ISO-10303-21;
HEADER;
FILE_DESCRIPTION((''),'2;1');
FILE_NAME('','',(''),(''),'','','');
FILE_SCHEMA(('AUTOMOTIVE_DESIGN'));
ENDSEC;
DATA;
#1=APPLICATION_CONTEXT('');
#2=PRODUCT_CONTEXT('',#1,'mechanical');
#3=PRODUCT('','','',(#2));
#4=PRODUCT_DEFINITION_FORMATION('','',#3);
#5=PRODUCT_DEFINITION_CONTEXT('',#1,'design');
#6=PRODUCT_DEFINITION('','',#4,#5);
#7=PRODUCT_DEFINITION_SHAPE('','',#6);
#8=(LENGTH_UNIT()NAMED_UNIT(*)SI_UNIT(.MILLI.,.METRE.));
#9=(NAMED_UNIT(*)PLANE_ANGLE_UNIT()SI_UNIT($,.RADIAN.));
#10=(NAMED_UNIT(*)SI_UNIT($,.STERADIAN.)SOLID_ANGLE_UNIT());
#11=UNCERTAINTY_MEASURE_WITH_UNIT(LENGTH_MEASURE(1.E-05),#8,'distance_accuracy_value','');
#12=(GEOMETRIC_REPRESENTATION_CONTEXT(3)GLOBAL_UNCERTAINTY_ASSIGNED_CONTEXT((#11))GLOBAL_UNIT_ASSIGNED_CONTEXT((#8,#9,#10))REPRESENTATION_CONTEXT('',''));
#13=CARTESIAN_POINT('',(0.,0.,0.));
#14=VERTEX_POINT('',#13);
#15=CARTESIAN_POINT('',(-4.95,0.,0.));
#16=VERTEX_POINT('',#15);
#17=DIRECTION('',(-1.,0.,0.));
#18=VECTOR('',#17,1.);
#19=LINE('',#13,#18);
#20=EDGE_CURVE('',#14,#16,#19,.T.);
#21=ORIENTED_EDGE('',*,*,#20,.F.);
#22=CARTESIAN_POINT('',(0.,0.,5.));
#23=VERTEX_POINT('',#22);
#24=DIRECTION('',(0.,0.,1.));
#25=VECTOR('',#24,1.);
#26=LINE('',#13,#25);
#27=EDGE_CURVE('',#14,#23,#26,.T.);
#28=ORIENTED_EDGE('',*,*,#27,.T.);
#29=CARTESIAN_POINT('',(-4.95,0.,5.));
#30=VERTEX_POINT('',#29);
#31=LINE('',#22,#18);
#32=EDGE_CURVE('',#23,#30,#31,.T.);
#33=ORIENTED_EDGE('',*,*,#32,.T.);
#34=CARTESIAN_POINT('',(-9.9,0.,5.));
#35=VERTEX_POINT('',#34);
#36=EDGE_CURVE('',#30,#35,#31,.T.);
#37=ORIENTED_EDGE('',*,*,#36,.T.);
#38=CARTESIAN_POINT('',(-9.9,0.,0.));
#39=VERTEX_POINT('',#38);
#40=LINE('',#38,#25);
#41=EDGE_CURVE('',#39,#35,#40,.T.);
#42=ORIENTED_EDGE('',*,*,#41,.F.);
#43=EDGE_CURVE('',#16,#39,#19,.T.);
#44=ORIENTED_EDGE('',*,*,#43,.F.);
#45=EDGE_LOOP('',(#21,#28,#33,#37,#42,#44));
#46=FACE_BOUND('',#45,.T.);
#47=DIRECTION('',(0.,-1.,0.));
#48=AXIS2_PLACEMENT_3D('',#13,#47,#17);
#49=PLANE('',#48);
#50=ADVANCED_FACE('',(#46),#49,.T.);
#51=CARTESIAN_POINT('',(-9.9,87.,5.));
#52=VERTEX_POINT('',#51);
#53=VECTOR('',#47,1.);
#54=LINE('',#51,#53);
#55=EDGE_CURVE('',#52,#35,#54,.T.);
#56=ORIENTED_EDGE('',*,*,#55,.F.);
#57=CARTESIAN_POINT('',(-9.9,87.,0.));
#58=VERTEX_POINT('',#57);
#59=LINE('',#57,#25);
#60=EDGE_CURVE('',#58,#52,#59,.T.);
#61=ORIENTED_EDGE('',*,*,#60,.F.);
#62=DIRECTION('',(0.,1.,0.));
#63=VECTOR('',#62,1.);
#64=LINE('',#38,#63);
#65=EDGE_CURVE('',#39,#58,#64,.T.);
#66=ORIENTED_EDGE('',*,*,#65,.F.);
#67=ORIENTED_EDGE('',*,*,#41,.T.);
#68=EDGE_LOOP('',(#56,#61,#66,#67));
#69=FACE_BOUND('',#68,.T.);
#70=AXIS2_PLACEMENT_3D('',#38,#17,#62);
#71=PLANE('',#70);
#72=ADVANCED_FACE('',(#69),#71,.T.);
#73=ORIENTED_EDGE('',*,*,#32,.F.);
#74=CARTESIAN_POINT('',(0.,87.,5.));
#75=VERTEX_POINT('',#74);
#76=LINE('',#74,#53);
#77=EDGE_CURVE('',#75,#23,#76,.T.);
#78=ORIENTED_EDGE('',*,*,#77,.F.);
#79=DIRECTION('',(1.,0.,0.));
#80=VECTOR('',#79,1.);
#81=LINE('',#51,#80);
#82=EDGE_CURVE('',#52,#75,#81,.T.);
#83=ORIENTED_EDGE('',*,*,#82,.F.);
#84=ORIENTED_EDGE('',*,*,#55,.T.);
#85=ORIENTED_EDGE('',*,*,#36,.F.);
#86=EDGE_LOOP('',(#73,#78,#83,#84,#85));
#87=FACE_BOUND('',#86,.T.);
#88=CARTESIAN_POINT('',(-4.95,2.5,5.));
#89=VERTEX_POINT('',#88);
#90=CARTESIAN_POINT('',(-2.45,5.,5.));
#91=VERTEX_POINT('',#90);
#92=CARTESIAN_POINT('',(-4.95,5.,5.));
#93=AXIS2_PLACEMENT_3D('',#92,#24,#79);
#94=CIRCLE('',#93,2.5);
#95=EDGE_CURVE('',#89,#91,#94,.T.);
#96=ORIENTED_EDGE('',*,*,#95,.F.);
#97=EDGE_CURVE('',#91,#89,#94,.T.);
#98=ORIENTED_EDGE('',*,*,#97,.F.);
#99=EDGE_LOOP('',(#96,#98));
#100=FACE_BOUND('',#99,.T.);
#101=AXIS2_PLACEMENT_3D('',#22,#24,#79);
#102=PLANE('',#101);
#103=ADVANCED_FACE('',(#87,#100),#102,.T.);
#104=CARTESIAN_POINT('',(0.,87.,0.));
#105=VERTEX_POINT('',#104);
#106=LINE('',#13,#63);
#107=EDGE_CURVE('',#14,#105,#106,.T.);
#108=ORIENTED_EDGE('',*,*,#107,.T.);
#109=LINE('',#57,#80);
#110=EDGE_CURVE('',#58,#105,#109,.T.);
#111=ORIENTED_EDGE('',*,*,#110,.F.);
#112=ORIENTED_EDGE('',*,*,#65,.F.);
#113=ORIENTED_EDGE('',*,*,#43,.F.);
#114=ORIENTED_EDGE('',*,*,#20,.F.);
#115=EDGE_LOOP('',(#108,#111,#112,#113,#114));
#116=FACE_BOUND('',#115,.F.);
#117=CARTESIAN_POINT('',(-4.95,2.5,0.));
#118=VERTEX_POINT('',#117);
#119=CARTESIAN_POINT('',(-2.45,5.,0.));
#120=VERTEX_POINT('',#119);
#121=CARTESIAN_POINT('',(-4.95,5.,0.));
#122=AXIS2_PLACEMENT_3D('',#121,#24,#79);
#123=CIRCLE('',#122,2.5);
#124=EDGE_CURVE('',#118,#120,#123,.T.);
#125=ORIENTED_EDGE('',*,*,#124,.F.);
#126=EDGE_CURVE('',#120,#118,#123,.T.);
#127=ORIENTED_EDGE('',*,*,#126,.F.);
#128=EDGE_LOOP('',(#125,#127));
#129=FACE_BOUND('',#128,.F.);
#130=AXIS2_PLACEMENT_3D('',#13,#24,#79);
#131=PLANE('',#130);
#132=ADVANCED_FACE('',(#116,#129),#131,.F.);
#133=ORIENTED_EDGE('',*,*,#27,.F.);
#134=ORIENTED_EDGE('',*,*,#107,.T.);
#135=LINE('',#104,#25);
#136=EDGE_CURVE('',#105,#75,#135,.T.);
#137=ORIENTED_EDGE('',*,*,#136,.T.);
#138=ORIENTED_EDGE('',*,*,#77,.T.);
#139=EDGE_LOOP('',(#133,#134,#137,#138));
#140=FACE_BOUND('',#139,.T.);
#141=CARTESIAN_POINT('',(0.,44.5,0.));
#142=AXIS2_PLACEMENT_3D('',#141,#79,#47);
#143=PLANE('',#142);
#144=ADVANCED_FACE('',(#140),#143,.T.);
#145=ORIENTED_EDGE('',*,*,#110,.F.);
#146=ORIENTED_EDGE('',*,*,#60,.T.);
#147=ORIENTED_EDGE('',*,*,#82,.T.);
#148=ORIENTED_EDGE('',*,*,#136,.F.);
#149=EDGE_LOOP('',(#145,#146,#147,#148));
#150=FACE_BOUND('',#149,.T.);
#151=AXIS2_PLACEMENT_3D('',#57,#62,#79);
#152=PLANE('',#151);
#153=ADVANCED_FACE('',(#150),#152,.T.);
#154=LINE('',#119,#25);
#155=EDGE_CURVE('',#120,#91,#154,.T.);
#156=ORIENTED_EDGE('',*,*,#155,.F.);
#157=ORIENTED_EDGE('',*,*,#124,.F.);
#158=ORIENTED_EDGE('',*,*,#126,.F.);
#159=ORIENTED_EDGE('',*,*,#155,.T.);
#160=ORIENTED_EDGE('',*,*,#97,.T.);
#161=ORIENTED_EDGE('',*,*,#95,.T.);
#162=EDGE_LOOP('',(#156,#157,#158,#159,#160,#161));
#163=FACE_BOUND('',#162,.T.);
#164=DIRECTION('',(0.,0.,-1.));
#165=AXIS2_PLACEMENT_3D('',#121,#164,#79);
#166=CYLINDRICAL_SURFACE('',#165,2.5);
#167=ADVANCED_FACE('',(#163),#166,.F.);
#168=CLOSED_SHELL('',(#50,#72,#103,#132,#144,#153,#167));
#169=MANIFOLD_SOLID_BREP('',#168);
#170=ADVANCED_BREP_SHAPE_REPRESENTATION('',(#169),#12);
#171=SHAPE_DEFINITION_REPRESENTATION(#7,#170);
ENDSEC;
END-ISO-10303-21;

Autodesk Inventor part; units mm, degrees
ref_plane "YZ Plane" through (0, 0, 0) normal (1, 0, 0) x (0, 1, 0)
ref_plane "XZ Plane" through (0, 0, 0) normal (0, 1, 0) x (-1, 0, 0)
ref_plane "XY Plane" through (0, 0, 0) normal (0, 0, 1) x (1, 0, 0)
sketch "Sketch2" plane through (0, 0, 0) normal (0, 0, 1) x (1, 0, 0)
  line L0 (0, 0) -> (-9.9, 0)
  line L1 (-9.9, 0) -> (-9.9, 105)
  line L2 (-9.9, 105) -> (0, 105)
  line L3 (0, 105) -> (0, 0)
  line L4 (-4.95, 0) -> (-4.95, 2.5)
  line L5 (-4.95, 0) -> (-2.45, 0) construction
  circle A0 centre (-4.95, 5) radius 2.5
  line L6 (-4.95, 7.5) -> (32.05, 7.5) construction
  line L7 (0, 44.5) -> (0, 0)
  line L8 (0, 0) -> (-9.9, 0)
  line L9 (-9.9, 0) -> (-9.9, 44.5)
  line L10 (0, 45.5) -> (0, 0)
  line L11 (0, 0) -> (-9.9, 0)
  line L12 (-9.9, 0) -> (-9.9, 45.5)
  line L13 (-4.95, 7.5) -> (66.05, 7.5) construction
  line L14 (-9.9, 78.5) -> (0, 78.5)
  line L15 (0, 0) -> (-9.9, 0)
  line L16 (-9.9, 0) -> (-9.9, 87)
  line L17 (-9.9, 87) -> (0, 87)
  line L18 (0, 87) -> (0, 0)
  dimension "d35" = 5
  dimension "d4" = 9.9
  dimension "d5" = 105
  dimension "d33" = 2.5
  dimension "d34" = 90
  dimension "d46" = 9.9
  dimension "d47" = 87
extrude "Extrusion6" add sketch "Sketch2" along normal blind 5 contours L0 L1 L14 L3 | L14 L1 L17 L3
properties part number "Elbow_Cube_Holder_TestFit_V2"
